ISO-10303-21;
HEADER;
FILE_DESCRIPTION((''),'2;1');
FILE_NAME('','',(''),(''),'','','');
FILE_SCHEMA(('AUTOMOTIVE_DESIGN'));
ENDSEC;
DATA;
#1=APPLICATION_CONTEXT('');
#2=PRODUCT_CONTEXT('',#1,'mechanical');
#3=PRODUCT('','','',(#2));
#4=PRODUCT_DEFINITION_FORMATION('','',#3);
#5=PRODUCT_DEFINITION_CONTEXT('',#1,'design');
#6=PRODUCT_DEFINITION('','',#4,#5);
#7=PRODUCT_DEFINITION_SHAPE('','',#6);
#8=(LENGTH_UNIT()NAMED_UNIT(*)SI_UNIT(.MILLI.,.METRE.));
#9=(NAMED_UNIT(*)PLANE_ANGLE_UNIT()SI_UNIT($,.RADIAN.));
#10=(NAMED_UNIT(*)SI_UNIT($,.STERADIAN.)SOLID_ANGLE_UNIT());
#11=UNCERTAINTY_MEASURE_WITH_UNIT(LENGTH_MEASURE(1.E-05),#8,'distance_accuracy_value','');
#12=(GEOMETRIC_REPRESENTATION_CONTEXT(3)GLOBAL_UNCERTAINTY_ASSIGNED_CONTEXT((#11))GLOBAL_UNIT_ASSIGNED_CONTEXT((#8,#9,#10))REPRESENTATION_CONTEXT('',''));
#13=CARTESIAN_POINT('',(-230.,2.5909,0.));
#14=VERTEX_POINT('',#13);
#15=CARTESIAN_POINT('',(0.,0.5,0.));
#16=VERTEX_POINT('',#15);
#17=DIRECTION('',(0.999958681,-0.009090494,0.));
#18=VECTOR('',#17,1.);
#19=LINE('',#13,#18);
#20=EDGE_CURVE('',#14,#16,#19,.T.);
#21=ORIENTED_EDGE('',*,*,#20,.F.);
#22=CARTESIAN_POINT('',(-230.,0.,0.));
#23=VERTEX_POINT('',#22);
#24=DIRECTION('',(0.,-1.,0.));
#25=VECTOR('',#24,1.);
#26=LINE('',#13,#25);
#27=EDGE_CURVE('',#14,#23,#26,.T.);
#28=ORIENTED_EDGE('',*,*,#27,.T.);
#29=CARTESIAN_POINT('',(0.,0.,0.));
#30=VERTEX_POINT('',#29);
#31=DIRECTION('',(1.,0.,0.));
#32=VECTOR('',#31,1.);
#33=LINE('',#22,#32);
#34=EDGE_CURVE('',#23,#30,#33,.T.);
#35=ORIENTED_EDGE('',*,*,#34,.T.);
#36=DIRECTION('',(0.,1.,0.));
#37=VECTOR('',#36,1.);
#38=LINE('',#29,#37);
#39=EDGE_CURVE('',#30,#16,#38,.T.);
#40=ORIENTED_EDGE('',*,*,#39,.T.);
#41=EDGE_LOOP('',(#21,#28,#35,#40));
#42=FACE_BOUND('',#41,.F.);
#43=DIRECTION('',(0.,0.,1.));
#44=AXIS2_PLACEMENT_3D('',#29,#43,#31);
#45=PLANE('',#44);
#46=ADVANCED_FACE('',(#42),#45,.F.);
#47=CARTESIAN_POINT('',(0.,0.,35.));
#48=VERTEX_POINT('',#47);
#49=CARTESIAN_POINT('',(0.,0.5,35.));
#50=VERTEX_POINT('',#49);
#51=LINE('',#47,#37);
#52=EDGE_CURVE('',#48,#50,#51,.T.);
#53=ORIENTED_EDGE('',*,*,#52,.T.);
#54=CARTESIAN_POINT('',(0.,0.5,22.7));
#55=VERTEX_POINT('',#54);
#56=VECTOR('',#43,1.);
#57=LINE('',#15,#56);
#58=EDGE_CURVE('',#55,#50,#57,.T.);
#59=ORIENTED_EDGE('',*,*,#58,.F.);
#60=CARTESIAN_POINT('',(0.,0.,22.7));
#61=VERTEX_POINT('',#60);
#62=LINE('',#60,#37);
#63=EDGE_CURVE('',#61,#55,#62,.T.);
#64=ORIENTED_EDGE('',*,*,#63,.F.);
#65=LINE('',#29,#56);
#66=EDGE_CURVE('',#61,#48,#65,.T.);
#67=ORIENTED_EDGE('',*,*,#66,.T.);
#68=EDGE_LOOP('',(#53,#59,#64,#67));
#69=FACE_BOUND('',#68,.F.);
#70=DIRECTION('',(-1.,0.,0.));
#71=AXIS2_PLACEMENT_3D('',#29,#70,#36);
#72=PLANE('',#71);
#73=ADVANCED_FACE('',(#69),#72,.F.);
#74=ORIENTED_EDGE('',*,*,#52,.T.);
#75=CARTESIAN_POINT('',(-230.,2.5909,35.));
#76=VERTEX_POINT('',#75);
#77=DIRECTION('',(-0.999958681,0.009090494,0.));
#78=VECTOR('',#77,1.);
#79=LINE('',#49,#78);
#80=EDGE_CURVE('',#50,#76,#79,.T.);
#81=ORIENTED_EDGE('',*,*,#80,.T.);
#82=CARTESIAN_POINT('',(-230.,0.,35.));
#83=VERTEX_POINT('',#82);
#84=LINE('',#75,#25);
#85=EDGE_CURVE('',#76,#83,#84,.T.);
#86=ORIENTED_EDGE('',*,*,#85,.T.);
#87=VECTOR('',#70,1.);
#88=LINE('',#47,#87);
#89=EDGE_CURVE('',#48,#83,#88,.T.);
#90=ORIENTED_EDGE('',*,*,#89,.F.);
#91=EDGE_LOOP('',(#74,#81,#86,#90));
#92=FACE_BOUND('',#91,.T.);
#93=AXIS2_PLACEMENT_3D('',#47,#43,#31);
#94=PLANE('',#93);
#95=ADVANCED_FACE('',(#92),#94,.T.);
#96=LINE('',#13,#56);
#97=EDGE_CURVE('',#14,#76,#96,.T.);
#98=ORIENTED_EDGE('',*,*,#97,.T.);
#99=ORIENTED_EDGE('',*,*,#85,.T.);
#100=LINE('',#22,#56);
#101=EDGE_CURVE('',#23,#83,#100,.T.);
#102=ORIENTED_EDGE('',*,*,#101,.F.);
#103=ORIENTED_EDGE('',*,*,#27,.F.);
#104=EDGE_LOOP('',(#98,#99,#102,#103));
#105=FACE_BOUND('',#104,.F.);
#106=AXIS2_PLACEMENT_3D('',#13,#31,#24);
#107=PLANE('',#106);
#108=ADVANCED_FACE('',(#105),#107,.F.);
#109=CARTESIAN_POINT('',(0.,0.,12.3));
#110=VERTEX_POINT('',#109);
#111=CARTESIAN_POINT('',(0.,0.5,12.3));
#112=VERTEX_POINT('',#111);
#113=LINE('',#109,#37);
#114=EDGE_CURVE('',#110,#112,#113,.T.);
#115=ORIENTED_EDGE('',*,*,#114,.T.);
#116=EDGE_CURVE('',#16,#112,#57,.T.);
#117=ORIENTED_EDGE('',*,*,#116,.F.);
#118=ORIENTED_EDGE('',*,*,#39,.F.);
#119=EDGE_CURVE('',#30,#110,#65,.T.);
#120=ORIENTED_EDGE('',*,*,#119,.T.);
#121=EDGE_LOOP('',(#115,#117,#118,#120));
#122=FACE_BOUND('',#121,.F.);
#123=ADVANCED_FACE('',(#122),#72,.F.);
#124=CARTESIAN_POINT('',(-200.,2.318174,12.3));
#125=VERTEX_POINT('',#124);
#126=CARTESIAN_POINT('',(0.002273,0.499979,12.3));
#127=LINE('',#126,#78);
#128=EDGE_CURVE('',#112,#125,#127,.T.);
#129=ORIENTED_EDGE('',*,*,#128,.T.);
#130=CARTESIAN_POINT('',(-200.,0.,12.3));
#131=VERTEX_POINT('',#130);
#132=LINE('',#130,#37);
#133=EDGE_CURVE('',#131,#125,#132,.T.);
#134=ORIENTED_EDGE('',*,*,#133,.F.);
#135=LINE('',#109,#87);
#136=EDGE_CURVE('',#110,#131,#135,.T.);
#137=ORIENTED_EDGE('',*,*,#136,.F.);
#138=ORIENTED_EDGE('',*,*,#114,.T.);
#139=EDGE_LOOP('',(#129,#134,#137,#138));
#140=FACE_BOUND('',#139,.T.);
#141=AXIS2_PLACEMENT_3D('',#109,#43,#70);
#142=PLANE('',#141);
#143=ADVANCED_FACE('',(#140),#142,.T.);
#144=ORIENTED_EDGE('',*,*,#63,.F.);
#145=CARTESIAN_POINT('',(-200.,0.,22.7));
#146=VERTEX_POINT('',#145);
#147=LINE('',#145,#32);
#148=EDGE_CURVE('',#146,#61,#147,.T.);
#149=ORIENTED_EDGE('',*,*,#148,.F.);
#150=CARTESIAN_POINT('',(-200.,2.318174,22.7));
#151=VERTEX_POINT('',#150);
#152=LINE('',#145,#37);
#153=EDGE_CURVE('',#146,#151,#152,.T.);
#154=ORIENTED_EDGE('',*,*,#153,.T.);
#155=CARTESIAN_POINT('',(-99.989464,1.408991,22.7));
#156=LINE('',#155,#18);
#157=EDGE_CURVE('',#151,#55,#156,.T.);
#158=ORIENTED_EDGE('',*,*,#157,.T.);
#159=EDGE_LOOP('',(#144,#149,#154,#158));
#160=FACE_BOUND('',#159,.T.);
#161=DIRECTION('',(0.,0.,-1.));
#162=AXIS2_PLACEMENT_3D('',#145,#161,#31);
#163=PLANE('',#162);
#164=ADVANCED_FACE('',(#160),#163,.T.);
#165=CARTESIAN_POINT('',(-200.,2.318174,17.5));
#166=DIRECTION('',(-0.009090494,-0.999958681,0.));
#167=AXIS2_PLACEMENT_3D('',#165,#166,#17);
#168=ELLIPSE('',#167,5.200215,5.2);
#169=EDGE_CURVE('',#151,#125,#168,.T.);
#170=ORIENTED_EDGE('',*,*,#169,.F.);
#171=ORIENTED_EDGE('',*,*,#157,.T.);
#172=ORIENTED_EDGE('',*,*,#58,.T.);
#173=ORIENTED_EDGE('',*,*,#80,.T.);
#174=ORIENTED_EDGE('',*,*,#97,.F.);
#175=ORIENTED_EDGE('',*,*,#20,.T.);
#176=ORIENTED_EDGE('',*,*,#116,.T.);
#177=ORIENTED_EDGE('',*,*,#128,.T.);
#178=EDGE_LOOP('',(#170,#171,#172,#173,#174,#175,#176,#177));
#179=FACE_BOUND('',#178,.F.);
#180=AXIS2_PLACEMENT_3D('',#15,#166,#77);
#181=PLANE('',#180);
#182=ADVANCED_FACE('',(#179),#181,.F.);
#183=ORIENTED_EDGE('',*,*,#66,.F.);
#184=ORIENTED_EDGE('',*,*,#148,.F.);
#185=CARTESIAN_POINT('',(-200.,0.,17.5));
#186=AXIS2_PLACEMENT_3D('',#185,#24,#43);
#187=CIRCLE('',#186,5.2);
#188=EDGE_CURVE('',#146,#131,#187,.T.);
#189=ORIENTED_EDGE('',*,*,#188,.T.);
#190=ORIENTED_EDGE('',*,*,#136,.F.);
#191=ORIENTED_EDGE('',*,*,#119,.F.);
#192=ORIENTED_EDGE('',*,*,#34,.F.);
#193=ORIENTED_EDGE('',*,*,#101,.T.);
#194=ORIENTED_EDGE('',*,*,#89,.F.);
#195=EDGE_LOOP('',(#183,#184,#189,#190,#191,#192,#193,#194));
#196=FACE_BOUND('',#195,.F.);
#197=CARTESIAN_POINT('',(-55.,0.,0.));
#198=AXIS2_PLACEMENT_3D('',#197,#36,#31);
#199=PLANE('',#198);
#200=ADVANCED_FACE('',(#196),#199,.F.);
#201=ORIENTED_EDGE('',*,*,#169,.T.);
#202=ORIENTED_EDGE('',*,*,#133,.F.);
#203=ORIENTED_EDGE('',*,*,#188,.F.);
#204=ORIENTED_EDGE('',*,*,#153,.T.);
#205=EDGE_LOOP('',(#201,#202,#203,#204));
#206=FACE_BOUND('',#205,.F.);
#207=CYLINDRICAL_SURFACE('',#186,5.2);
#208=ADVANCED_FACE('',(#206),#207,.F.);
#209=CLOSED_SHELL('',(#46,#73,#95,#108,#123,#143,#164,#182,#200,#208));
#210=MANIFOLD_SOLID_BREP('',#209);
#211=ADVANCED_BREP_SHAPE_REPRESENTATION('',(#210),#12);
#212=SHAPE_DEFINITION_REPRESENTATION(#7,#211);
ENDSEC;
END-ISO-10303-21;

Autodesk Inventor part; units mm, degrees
ref_plane "YZ Plane" through (0, 0, 0) normal (1, 0, 0) x (0, 1, 0)
ref_plane "XZ Plane" through (0, 0, 0) normal (0, 1, 0) x (-1, 0, 0)
ref_plane "XY Plane" through (0, 0, 0) normal (0, 0, 1) x (1, 0, 0)
sketch "Sketch1" plane through (0, 0, 0) normal (0, 0, 1) x (1, 0, 0)
  line L0 (0, 0) -> (0, 0.5)
  line L1 (0, 0.5) -> (-230, 2.5909)
  line L2 (-230, 2.5909) -> (-230, 0)
  line L3 (-230, 0) -> (0, 0)
  line L4 (-55, 0) -> (-55, 1)
  dimension "d0" = 55
  dimension "d1" = 1
  dimension "d2" = 0.5
  dimension "d10" = 230
extrude "Extrusion1" add sketch "Sketch1" along normal blind 35
sketch "Sketch2" plane through (-230, 0, 0) normal (0, -1, 0) x (1, 0, 0)
  line L0 (230, 0) -> (230, 35) projected
  line L1 (230, 17.5) -> (30, 17.5) construction
  line L2 (230, 12.3) -> (30, 12.3)
  line L3 (30, 22.7) -> (230, 22.7)
  arc A0 (230, 12.3) -> (230, 22.7) centre (230, 17.5) ccw
  arc A1 (30, 22.7) -> (30, 12.3) centre (30, 17.5) ccw
  point P0 (130, 17.5)
  dimension "d6" = 200
  dimension "d7" = 5.2
extrude "Extrusion2" cut sketch "Sketch2" against normal through all contours L2 A1 L3 L0
properties part number "WinderSpoolRemovalAid"
